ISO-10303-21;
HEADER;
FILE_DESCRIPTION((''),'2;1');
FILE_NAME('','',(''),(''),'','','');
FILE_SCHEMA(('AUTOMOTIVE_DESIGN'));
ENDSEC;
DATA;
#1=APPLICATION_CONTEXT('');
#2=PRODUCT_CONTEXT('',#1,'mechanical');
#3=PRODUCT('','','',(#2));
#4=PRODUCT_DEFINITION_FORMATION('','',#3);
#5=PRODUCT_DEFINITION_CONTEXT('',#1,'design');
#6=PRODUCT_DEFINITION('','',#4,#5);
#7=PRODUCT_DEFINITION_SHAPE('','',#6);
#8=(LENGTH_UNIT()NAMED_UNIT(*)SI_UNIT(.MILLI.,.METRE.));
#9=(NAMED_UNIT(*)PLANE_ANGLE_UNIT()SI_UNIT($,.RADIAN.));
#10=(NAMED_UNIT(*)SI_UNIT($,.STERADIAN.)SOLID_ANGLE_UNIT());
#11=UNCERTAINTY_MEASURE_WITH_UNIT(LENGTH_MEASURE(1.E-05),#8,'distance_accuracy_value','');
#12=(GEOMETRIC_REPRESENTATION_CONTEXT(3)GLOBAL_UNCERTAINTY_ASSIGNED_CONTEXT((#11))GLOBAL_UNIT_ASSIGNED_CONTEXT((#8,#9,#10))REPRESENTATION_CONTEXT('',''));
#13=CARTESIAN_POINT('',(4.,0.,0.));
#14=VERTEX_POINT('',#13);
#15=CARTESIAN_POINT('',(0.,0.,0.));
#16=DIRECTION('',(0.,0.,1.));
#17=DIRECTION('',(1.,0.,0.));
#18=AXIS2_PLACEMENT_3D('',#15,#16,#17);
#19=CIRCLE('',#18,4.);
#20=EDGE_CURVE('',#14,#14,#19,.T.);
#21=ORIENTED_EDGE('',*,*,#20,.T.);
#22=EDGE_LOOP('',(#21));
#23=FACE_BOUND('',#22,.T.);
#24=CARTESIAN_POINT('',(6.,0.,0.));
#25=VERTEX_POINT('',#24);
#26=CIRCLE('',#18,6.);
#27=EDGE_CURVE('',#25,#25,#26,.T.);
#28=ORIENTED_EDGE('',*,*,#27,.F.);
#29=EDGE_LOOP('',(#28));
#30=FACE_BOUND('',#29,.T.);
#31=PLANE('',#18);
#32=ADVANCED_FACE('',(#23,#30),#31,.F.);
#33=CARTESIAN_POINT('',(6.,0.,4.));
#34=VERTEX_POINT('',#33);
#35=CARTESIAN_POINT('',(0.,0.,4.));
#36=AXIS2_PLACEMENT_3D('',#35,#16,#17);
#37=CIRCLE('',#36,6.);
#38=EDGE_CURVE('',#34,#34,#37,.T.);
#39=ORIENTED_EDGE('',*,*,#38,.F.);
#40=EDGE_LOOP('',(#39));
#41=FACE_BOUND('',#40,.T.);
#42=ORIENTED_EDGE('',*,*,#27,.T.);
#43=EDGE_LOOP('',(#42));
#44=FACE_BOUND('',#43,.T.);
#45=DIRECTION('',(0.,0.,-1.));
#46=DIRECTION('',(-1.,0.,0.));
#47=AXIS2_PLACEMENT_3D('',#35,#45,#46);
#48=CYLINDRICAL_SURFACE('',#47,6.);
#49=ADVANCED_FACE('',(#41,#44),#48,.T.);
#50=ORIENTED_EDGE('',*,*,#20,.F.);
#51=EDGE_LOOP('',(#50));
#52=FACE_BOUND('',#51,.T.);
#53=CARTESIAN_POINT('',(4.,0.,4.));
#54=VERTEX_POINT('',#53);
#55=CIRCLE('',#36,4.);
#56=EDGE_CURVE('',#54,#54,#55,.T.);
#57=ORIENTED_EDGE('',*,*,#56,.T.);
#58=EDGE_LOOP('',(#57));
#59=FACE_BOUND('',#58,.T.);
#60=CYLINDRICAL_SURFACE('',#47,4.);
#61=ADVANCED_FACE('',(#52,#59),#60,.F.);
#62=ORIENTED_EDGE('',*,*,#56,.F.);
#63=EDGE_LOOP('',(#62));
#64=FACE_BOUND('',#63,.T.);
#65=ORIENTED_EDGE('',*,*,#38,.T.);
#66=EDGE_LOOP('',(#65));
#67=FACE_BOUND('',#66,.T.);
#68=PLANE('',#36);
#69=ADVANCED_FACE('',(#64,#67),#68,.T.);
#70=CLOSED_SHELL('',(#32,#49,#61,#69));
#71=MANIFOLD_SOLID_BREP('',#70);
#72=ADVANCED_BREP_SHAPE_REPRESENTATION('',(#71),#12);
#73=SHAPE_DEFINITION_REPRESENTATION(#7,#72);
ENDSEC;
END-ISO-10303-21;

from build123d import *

# Parameters (mm, degrees)
SKETCH1_R           = 6
SKETCH1_R_2         = 4
BOSS_EXTRUDE1_DEPTH = 4


with BuildPart() as part:
    # Sketch1 → Boss-Extrude1 (new body)
    with BuildSketch(Plane.XY):
        Circle(SKETCH1_R)
        Circle(SKETCH1_R_2, mode=Mode.SUBTRACT)
    extrude(amount=BOSS_EXTRUDE1_DEPTH)


solid = part.part
